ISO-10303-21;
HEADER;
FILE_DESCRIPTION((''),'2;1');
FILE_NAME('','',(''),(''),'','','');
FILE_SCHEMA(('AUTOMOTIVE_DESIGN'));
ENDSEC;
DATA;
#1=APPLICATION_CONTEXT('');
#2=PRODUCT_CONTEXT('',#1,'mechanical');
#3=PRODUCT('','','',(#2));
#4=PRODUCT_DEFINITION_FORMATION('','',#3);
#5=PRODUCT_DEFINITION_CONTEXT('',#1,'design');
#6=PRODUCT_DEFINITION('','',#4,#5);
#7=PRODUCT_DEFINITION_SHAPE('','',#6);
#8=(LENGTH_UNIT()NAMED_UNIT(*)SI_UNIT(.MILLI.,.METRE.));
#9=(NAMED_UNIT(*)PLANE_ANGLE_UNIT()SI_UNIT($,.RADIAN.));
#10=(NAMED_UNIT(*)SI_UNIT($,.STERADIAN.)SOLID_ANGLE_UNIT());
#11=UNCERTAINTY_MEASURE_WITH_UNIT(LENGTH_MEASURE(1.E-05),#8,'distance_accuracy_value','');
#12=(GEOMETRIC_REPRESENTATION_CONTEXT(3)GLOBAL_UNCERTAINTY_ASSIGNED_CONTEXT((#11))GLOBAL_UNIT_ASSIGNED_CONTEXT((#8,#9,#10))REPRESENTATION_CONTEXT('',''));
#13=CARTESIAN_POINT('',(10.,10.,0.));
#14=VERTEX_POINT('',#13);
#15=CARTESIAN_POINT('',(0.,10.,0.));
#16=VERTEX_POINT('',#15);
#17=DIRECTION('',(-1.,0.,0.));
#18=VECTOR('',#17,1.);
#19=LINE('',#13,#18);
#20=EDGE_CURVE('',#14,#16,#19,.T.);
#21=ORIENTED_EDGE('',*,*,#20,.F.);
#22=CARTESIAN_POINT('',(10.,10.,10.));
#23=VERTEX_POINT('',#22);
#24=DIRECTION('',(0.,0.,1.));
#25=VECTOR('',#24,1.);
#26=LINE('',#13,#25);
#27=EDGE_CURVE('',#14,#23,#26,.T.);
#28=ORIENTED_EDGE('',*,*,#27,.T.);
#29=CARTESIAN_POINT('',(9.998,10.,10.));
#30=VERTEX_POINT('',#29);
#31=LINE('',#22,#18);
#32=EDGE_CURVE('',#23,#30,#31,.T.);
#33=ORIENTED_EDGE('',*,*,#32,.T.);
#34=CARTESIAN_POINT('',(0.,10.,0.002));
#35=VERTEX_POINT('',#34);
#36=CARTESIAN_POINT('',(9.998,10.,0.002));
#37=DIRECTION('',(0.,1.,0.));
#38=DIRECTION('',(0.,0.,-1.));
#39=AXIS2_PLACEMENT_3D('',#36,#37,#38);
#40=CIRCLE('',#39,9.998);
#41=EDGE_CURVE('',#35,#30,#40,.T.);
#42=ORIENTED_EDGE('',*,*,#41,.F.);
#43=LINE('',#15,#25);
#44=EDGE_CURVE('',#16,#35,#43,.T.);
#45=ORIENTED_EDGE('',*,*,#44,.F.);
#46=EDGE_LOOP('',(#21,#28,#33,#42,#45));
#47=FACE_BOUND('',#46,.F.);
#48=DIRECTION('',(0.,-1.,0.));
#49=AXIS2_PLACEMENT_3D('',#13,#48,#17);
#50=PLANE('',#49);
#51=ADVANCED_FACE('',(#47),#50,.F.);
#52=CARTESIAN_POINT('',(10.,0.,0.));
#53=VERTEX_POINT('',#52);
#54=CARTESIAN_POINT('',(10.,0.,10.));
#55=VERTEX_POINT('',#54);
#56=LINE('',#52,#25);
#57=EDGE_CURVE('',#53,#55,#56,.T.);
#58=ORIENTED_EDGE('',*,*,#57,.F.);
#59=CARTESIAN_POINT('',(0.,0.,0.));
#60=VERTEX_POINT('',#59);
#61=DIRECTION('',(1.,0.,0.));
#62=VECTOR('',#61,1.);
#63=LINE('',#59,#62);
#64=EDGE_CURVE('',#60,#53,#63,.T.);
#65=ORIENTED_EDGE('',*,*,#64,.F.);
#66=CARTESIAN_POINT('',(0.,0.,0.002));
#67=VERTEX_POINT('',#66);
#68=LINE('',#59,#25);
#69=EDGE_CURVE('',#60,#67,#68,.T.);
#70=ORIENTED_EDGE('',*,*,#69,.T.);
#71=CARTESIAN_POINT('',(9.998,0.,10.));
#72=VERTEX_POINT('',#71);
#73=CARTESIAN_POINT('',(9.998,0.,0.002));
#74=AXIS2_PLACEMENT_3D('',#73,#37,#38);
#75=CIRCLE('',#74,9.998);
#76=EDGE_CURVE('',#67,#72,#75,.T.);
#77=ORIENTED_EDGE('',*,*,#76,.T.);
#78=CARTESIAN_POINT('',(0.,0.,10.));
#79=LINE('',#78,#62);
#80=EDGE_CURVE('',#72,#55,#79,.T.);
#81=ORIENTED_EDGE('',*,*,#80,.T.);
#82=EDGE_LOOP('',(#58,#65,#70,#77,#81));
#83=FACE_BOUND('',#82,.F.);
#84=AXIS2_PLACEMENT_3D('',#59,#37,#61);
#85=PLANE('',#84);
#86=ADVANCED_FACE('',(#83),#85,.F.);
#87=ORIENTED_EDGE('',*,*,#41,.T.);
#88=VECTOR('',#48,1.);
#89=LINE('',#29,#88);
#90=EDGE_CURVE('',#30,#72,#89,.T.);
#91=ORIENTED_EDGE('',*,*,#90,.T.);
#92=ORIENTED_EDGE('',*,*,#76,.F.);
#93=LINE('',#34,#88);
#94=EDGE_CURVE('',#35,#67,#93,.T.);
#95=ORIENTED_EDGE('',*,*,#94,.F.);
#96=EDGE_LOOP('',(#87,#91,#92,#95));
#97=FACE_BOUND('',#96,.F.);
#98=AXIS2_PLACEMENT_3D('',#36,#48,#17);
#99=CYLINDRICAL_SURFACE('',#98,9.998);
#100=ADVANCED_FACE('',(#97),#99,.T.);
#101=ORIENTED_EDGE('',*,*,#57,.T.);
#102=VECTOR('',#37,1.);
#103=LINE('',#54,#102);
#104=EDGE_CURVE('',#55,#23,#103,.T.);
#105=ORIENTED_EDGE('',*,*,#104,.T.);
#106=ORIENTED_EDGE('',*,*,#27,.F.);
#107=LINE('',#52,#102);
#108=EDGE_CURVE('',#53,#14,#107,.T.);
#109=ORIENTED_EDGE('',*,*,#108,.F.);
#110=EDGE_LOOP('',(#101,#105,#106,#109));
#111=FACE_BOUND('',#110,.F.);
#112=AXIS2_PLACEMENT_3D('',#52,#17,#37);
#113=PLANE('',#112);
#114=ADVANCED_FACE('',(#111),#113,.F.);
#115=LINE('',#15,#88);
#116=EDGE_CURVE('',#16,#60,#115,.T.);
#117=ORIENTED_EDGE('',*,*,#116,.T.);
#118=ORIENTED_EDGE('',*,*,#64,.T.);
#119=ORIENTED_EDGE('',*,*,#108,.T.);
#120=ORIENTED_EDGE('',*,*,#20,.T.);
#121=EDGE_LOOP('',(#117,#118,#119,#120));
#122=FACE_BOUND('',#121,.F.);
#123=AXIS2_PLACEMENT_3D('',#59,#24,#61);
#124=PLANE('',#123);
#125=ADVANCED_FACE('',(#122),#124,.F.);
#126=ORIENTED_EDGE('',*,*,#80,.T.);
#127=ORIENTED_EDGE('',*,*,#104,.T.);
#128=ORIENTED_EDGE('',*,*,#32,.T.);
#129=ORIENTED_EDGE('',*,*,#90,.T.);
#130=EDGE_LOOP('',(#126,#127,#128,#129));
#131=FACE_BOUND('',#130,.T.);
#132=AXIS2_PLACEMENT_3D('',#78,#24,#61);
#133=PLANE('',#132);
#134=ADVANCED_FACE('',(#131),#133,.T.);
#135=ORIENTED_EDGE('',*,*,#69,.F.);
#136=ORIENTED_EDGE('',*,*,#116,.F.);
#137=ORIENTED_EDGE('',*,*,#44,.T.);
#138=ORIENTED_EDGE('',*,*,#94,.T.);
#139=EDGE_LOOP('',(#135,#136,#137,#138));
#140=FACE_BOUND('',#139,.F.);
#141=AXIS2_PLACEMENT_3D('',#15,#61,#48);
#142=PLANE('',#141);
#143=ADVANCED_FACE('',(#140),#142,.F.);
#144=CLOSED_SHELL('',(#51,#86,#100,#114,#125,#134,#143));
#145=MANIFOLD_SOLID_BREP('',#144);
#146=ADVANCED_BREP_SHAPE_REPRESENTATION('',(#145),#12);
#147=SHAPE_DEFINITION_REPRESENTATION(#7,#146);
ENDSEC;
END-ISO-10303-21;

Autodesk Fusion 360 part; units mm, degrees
sketch "Sketch1" plane through (0, 0, 0) normal (0, 0, 1) x (1, 0, 0)
  line L0 (0, 0) -> (10, 0)
  line L1 (10, 0) -> (10, 10)
  line L2 (10, 10) -> (0, 10)
  line L3 (0, 10) -> (0, 0)
extrude "Extrude1" add sketch "Sketch1" along normal blind 10
fillet "Fillet1" radius 10 1 edges at (0, 5, 10)
